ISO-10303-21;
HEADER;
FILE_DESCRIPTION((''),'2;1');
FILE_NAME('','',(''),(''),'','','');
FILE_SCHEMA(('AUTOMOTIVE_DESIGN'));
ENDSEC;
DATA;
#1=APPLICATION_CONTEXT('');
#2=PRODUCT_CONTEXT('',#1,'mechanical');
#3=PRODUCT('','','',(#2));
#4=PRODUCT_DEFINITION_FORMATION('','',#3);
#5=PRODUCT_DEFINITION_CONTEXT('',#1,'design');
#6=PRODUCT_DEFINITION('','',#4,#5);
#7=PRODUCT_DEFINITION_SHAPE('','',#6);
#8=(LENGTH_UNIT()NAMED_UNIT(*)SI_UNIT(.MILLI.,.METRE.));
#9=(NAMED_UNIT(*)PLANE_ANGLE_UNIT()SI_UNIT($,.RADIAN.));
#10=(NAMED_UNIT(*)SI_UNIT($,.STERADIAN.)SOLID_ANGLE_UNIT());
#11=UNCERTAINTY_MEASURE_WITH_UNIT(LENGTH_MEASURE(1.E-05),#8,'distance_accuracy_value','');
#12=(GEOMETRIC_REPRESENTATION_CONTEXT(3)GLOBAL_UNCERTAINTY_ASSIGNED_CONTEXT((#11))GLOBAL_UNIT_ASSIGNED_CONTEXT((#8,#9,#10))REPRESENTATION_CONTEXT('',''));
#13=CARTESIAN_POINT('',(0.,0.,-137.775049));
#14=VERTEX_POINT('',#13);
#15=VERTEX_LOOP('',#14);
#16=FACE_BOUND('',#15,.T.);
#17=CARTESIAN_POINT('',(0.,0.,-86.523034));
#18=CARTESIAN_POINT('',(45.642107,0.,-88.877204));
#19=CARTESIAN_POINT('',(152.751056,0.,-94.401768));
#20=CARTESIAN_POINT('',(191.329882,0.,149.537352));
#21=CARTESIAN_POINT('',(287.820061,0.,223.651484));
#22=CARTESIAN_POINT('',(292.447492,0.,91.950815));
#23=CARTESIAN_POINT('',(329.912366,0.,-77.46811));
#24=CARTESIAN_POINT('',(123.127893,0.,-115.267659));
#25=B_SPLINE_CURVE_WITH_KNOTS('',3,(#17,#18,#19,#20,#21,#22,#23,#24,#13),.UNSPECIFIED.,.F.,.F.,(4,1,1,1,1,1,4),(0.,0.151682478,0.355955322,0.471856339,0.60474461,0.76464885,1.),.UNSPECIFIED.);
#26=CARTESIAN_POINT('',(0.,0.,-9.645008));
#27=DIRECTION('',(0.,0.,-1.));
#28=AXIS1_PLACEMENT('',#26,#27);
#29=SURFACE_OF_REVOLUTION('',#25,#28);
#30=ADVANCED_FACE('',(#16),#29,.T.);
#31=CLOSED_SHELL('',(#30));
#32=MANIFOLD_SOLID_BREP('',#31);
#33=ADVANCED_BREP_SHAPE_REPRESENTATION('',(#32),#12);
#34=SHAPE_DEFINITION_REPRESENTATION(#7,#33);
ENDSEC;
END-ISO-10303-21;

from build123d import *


with BuildPart() as f1:
    # F0 (on Front) → F1 (revolve)
    with BuildSketch(Plane.XZ):
        with BuildLine():
            add(Edge.make_bspline(
                [(0, -86.5230336785), (45.6421069741, -88.8772042614), (152.7510563088, -94.401768187), (191.3298824231, 149.5373521893), (287.8200610956, 223.6514843937), (292.4474921718, 91.9508148108), (329.9123656873, -77.4681104826), (123.1278930509, -115.267658771), (0, -137.7750486135)],
                knots=[0, 0, 0, 0, 0.1516824785, 0.3559553223, 0.4718563385, 0.6047446098, 0.7646488501, 1, 1, 1, 1], degree=3))
            Line((0, -86.5230336785), (0, -137.7750486135))
        make_face()
    revolve(axis=Axis((0, 0, -9.6450075507), (0, 0, -1)))


solid = f1.part
